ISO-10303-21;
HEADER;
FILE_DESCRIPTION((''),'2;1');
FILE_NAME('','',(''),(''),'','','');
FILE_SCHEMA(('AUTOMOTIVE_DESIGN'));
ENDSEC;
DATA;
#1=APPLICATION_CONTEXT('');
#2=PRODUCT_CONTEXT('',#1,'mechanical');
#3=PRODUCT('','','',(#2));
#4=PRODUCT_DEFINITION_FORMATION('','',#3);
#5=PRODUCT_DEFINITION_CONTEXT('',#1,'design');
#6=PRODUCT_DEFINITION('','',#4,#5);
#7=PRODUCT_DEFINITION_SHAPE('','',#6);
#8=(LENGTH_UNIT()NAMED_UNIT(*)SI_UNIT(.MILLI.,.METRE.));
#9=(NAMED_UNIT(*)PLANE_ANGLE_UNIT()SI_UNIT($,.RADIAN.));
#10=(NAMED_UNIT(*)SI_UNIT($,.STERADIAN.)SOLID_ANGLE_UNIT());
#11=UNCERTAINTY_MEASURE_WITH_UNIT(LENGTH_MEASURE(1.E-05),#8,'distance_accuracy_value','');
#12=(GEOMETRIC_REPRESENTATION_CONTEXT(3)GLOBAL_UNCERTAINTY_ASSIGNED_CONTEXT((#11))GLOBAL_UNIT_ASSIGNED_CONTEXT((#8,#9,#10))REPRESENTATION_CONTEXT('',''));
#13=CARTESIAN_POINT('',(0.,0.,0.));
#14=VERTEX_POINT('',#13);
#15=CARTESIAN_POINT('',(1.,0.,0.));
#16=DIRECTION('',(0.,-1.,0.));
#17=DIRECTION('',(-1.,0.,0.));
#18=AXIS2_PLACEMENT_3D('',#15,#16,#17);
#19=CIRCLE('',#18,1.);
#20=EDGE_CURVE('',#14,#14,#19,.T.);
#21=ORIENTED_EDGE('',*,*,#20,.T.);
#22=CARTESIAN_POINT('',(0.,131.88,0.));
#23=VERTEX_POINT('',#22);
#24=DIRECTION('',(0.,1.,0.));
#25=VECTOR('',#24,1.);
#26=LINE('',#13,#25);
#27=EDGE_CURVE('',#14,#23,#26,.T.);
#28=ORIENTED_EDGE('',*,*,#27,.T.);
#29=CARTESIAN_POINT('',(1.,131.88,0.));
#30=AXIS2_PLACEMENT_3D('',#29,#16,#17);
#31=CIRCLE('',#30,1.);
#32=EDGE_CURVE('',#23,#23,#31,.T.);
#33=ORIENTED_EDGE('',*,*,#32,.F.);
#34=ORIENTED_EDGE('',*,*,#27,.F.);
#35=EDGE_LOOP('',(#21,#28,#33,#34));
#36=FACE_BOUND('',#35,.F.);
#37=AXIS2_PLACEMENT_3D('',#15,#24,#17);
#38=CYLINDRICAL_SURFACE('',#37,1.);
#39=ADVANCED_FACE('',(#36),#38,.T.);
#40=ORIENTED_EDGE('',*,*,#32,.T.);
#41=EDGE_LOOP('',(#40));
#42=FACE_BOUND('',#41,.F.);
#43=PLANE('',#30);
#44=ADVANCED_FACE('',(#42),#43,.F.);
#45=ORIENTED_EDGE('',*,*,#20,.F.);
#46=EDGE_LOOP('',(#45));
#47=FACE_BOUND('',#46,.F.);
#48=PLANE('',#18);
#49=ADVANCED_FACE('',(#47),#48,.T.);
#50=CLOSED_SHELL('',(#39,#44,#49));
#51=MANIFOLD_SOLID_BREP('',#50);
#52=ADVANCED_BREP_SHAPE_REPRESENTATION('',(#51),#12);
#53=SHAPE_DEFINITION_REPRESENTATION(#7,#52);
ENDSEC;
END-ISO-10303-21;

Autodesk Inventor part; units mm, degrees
ref_plane "YZ Plane" through (0, 0, 0) normal (1, 0, 0) x (0, 1, 0)
ref_plane "XZ Plane" through (0, 0, 0) normal (0, 1, 0) x (-1, 0, 0)
ref_plane "XY Plane" through (0, 0, 0) normal (0, 0, 1) x (1, 0, 0)
sketch "Esquisse1" plane through (0, 0, 0) normal (0, 0, 1) x (1, 0, 0)
  line L0 (0, 0) -> (0, 131.88)
  line L1 (0, 131.88) -> (1, 131.88)
  line L2 (1, 131.88) -> (1, 0)
  line L3 (1, 0) -> (0, 0)
  dimension "d0" = 131.88
  dimension "d1" = 1
revolve "Révolution1" add sketch "Esquisse1" angle 360 about axis through (1, 131.88, 0) along (0, -1, 0)
properties part number "Barre Circulaire"
